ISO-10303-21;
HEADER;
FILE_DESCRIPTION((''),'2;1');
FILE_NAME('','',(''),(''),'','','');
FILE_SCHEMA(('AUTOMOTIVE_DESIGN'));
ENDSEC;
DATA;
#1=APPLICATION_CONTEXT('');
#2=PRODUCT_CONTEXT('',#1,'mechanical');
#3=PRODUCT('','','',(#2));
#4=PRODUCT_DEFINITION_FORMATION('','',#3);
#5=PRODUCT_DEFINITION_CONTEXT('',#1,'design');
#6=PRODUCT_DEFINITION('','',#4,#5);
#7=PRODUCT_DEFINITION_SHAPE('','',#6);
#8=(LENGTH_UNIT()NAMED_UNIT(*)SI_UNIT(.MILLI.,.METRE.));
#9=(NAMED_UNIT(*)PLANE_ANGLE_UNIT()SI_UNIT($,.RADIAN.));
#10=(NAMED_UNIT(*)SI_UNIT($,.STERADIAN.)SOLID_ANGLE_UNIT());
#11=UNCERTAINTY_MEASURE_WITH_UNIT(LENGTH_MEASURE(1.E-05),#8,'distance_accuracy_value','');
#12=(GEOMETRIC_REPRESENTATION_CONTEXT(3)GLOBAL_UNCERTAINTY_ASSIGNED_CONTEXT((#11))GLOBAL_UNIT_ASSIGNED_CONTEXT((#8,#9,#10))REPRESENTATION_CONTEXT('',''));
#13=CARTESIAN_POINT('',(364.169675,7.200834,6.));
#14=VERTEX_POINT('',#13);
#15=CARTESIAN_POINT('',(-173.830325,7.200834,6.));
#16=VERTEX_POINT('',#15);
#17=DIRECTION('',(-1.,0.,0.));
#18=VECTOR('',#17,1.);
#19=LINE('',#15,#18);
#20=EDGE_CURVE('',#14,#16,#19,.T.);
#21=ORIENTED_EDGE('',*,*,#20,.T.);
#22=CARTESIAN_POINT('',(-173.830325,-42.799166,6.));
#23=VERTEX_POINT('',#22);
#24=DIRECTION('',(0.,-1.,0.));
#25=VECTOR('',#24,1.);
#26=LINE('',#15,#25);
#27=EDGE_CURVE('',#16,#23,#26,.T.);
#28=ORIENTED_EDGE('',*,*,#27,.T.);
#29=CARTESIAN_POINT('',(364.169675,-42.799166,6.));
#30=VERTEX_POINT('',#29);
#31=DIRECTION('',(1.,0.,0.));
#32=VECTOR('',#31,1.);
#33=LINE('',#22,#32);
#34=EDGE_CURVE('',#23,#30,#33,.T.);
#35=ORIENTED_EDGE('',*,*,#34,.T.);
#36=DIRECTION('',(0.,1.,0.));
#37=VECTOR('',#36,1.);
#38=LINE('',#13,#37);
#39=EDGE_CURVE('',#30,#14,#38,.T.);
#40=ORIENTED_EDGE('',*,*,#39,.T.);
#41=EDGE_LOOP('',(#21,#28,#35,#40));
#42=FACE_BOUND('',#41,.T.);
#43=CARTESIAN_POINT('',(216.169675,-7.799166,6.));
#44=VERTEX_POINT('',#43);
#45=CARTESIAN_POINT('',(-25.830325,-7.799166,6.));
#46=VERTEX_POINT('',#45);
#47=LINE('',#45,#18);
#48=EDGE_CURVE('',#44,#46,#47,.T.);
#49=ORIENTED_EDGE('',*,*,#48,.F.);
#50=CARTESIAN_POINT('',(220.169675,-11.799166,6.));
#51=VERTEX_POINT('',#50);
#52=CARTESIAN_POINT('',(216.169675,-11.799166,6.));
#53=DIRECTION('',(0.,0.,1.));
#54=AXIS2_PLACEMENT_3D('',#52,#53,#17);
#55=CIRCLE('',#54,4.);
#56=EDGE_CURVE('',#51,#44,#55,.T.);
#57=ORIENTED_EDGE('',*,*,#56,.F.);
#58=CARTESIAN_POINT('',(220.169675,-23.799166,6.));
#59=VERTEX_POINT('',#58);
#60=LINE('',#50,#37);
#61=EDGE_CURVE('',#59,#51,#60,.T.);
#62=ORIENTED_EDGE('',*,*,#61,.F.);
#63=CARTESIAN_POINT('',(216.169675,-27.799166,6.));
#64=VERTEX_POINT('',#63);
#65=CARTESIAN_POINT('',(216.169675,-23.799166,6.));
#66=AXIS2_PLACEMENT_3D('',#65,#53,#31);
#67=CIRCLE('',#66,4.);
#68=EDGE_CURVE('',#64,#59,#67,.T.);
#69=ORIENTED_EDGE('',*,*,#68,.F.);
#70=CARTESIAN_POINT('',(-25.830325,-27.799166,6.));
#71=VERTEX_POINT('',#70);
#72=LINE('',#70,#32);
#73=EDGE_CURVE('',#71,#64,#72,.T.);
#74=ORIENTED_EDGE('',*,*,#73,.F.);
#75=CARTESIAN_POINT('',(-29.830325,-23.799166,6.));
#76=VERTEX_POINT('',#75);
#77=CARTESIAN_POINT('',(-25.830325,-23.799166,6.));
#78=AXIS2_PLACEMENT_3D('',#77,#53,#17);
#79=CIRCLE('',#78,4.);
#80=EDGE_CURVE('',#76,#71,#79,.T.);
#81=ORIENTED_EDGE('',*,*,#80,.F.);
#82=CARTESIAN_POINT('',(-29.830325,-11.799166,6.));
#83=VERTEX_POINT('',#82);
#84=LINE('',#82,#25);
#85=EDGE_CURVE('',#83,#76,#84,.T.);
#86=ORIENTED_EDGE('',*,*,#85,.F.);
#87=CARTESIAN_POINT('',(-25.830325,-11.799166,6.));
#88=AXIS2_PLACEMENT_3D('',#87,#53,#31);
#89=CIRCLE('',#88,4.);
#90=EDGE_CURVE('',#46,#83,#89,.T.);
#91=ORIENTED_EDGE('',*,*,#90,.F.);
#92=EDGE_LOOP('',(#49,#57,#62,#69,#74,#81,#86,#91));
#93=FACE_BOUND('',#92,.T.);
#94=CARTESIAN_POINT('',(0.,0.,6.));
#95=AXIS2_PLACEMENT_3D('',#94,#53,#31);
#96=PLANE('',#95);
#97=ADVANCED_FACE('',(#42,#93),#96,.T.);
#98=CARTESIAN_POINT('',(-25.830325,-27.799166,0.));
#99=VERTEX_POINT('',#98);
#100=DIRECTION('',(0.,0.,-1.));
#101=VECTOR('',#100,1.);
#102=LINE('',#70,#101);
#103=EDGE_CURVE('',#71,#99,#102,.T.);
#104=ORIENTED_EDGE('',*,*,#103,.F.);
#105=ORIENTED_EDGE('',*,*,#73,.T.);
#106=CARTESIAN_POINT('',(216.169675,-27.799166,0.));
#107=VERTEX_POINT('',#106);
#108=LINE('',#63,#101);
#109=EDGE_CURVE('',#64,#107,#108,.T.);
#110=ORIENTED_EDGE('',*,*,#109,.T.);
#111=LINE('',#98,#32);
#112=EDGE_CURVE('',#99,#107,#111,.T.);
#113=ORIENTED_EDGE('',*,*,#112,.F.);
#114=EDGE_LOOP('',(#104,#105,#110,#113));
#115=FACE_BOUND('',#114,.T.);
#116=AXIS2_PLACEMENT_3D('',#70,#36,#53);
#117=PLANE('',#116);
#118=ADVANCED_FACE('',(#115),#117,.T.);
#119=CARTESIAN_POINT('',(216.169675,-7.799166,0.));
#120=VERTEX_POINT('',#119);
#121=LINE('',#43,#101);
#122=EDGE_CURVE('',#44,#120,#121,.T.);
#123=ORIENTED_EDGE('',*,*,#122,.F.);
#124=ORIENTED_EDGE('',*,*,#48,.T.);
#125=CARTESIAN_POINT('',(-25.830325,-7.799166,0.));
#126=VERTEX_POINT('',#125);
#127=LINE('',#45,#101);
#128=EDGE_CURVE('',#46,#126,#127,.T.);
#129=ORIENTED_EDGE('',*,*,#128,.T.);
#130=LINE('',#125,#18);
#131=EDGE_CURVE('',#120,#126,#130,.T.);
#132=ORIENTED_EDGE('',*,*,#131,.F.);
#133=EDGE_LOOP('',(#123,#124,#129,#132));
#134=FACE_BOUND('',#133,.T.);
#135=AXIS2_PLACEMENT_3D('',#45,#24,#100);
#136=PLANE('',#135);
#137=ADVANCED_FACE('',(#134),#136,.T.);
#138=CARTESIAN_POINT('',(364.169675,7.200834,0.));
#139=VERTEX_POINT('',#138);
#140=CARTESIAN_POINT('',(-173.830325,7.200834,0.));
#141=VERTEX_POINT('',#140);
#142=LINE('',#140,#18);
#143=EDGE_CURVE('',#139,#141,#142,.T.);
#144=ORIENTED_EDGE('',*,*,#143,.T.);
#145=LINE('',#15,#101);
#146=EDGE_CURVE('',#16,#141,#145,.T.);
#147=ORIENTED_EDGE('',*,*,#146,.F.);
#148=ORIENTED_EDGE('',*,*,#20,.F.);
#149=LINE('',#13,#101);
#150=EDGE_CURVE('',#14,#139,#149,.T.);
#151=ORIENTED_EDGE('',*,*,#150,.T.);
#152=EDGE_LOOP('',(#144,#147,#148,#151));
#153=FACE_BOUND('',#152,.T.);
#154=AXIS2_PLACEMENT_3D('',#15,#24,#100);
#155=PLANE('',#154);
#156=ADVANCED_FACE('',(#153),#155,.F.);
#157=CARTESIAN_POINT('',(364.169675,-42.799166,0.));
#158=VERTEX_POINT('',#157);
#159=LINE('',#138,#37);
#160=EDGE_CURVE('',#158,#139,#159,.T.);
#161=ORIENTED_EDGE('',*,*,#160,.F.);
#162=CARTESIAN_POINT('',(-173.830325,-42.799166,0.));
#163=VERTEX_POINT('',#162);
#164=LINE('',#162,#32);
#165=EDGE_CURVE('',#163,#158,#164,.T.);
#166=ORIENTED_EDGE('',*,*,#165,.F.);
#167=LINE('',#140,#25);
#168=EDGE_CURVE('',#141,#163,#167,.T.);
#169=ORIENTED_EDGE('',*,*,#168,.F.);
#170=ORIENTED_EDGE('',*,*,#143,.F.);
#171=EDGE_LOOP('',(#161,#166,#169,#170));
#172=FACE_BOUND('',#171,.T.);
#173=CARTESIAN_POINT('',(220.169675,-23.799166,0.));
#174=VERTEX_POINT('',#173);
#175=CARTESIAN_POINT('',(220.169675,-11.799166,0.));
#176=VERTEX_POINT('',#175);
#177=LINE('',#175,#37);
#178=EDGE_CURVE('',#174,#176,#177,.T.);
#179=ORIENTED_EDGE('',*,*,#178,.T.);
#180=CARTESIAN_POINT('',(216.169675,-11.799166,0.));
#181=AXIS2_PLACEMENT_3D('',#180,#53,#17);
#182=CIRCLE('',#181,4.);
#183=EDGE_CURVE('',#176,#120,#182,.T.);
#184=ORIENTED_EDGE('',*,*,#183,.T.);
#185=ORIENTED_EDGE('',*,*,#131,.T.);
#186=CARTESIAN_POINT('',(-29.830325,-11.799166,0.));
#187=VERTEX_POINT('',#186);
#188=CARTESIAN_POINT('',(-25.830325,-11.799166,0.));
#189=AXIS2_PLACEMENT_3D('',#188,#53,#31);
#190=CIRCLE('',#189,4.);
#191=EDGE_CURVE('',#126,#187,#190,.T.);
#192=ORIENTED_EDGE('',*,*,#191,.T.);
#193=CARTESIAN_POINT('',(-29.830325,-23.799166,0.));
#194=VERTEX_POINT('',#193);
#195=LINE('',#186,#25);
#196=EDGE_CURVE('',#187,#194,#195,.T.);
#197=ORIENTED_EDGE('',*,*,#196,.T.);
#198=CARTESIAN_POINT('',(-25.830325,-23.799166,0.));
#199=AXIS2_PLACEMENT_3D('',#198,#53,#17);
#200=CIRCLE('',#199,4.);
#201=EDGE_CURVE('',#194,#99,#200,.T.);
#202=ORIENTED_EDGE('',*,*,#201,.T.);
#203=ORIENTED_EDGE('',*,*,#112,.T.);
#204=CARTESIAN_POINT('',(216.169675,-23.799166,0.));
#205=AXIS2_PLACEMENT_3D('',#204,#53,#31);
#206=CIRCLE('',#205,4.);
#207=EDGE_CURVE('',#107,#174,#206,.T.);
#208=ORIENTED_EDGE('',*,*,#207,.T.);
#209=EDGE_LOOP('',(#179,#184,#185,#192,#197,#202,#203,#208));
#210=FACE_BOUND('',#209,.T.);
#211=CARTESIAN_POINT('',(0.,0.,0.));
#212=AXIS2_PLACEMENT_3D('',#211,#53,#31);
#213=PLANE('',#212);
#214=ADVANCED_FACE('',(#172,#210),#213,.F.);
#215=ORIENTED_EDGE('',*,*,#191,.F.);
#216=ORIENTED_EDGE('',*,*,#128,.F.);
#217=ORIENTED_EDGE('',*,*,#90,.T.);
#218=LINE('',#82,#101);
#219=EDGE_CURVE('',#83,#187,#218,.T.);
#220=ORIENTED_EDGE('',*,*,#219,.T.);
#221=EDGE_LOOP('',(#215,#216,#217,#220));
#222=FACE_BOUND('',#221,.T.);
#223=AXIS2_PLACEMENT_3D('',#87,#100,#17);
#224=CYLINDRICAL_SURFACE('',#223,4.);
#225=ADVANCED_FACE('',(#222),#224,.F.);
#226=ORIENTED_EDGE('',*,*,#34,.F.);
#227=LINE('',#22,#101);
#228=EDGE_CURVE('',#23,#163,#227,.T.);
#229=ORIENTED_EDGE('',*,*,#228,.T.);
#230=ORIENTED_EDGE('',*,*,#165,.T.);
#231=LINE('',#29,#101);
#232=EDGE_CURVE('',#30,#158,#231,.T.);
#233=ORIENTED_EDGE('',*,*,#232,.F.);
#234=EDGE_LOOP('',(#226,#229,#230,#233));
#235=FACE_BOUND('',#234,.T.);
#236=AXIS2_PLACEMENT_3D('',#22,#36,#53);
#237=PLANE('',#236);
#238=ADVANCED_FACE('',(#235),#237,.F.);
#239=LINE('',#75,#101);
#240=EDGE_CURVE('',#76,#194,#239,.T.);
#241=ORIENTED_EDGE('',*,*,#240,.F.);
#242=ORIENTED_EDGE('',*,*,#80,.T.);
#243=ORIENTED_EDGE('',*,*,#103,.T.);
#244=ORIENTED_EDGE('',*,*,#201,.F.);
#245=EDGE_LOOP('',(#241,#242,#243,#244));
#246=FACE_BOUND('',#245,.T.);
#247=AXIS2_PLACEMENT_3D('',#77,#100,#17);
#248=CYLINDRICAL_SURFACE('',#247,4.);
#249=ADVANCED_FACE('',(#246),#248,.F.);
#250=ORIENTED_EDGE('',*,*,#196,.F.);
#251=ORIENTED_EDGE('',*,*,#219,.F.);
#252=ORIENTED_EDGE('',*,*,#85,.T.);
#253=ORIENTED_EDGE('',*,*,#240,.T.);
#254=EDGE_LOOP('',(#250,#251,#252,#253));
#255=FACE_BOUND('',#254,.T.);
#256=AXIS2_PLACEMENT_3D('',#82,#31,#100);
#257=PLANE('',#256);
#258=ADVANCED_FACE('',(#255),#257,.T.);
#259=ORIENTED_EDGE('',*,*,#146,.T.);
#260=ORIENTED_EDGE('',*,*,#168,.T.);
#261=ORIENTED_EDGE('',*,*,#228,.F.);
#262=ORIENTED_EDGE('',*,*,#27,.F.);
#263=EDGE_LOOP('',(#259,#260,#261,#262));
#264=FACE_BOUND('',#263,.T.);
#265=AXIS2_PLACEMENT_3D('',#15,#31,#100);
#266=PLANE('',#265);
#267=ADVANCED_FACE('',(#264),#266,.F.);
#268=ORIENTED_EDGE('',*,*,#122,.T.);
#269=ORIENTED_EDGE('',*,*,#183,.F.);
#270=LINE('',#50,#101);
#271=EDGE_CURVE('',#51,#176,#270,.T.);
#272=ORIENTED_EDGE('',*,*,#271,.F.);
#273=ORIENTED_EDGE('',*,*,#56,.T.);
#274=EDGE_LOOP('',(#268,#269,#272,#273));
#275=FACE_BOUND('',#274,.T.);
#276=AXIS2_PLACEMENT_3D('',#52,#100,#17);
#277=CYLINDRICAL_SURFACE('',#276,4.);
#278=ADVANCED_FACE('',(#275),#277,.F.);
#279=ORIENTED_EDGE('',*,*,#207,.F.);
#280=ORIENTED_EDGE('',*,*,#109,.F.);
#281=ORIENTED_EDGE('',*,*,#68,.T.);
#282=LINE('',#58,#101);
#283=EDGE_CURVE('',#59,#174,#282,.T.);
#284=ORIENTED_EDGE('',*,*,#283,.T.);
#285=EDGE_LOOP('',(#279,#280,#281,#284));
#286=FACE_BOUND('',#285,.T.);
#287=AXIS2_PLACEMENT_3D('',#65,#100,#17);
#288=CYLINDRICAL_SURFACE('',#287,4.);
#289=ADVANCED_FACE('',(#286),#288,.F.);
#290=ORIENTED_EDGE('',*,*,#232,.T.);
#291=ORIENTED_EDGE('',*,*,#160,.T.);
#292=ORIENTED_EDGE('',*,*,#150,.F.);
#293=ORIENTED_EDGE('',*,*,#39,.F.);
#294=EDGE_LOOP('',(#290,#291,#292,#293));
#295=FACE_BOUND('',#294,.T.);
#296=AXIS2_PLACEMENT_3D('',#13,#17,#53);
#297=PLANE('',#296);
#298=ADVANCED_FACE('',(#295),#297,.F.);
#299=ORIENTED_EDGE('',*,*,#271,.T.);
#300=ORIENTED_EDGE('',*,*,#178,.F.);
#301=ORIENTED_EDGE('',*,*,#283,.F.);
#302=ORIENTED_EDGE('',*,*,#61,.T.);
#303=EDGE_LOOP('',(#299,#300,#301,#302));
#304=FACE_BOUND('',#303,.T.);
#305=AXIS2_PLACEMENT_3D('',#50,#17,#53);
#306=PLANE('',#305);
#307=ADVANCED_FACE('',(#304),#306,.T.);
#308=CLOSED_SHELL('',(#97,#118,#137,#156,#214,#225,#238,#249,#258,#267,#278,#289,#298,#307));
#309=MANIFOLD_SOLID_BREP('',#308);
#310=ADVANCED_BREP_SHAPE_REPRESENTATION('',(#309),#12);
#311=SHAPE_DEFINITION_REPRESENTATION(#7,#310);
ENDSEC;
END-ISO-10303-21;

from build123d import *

# Parameters (mm, degrees)
SKETCH_1_W      = 538
SKETCH_1_H      = 50
EXTRUDE_1_DEPTH = 6


with BuildPart() as part:
    # Эскиз1 → Бобышка-Вытянуть1 (new body)
    with BuildSketch(Plane.XY):
        with Locations((95.16967509, -17.799165817)):
            Rectangle(SKETCH_1_W, SKETCH_1_H)
        with BuildLine():
            Line((-25.83032491, -7.799165817), (216.16967509, -7.799165817))
            ThreePointArc((216.16967509, -7.799165817), (218.998102215, -8.970738692), (220.16967509, -11.799165817))
            Line((220.16967509, -11.799165817), (220.16967509, -23.799165817))
            ThreePointArc((220.16967509, -23.799165817), (218.998102215, -26.627592942), (216.16967509, -27.799165817))
            Line((216.16967509, -27.799165817), (-25.83032491, -27.799165817))
            ThreePointArc((-25.83032491, -27.799165817), (-28.658752034, -26.627592942), (-29.83032491, -23.799165817))
            Line((-29.83032491, -23.799165817), (-29.83032491, -11.799165817))
            ThreePointArc((-29.83032491, -11.799165817), (-28.658752034, -8.970738692), (-25.83032491, -7.799165817))
        make_face(mode=Mode.SUBTRACT)
    extrude(amount=EXTRUDE_1_DEPTH)


solid = part.part
